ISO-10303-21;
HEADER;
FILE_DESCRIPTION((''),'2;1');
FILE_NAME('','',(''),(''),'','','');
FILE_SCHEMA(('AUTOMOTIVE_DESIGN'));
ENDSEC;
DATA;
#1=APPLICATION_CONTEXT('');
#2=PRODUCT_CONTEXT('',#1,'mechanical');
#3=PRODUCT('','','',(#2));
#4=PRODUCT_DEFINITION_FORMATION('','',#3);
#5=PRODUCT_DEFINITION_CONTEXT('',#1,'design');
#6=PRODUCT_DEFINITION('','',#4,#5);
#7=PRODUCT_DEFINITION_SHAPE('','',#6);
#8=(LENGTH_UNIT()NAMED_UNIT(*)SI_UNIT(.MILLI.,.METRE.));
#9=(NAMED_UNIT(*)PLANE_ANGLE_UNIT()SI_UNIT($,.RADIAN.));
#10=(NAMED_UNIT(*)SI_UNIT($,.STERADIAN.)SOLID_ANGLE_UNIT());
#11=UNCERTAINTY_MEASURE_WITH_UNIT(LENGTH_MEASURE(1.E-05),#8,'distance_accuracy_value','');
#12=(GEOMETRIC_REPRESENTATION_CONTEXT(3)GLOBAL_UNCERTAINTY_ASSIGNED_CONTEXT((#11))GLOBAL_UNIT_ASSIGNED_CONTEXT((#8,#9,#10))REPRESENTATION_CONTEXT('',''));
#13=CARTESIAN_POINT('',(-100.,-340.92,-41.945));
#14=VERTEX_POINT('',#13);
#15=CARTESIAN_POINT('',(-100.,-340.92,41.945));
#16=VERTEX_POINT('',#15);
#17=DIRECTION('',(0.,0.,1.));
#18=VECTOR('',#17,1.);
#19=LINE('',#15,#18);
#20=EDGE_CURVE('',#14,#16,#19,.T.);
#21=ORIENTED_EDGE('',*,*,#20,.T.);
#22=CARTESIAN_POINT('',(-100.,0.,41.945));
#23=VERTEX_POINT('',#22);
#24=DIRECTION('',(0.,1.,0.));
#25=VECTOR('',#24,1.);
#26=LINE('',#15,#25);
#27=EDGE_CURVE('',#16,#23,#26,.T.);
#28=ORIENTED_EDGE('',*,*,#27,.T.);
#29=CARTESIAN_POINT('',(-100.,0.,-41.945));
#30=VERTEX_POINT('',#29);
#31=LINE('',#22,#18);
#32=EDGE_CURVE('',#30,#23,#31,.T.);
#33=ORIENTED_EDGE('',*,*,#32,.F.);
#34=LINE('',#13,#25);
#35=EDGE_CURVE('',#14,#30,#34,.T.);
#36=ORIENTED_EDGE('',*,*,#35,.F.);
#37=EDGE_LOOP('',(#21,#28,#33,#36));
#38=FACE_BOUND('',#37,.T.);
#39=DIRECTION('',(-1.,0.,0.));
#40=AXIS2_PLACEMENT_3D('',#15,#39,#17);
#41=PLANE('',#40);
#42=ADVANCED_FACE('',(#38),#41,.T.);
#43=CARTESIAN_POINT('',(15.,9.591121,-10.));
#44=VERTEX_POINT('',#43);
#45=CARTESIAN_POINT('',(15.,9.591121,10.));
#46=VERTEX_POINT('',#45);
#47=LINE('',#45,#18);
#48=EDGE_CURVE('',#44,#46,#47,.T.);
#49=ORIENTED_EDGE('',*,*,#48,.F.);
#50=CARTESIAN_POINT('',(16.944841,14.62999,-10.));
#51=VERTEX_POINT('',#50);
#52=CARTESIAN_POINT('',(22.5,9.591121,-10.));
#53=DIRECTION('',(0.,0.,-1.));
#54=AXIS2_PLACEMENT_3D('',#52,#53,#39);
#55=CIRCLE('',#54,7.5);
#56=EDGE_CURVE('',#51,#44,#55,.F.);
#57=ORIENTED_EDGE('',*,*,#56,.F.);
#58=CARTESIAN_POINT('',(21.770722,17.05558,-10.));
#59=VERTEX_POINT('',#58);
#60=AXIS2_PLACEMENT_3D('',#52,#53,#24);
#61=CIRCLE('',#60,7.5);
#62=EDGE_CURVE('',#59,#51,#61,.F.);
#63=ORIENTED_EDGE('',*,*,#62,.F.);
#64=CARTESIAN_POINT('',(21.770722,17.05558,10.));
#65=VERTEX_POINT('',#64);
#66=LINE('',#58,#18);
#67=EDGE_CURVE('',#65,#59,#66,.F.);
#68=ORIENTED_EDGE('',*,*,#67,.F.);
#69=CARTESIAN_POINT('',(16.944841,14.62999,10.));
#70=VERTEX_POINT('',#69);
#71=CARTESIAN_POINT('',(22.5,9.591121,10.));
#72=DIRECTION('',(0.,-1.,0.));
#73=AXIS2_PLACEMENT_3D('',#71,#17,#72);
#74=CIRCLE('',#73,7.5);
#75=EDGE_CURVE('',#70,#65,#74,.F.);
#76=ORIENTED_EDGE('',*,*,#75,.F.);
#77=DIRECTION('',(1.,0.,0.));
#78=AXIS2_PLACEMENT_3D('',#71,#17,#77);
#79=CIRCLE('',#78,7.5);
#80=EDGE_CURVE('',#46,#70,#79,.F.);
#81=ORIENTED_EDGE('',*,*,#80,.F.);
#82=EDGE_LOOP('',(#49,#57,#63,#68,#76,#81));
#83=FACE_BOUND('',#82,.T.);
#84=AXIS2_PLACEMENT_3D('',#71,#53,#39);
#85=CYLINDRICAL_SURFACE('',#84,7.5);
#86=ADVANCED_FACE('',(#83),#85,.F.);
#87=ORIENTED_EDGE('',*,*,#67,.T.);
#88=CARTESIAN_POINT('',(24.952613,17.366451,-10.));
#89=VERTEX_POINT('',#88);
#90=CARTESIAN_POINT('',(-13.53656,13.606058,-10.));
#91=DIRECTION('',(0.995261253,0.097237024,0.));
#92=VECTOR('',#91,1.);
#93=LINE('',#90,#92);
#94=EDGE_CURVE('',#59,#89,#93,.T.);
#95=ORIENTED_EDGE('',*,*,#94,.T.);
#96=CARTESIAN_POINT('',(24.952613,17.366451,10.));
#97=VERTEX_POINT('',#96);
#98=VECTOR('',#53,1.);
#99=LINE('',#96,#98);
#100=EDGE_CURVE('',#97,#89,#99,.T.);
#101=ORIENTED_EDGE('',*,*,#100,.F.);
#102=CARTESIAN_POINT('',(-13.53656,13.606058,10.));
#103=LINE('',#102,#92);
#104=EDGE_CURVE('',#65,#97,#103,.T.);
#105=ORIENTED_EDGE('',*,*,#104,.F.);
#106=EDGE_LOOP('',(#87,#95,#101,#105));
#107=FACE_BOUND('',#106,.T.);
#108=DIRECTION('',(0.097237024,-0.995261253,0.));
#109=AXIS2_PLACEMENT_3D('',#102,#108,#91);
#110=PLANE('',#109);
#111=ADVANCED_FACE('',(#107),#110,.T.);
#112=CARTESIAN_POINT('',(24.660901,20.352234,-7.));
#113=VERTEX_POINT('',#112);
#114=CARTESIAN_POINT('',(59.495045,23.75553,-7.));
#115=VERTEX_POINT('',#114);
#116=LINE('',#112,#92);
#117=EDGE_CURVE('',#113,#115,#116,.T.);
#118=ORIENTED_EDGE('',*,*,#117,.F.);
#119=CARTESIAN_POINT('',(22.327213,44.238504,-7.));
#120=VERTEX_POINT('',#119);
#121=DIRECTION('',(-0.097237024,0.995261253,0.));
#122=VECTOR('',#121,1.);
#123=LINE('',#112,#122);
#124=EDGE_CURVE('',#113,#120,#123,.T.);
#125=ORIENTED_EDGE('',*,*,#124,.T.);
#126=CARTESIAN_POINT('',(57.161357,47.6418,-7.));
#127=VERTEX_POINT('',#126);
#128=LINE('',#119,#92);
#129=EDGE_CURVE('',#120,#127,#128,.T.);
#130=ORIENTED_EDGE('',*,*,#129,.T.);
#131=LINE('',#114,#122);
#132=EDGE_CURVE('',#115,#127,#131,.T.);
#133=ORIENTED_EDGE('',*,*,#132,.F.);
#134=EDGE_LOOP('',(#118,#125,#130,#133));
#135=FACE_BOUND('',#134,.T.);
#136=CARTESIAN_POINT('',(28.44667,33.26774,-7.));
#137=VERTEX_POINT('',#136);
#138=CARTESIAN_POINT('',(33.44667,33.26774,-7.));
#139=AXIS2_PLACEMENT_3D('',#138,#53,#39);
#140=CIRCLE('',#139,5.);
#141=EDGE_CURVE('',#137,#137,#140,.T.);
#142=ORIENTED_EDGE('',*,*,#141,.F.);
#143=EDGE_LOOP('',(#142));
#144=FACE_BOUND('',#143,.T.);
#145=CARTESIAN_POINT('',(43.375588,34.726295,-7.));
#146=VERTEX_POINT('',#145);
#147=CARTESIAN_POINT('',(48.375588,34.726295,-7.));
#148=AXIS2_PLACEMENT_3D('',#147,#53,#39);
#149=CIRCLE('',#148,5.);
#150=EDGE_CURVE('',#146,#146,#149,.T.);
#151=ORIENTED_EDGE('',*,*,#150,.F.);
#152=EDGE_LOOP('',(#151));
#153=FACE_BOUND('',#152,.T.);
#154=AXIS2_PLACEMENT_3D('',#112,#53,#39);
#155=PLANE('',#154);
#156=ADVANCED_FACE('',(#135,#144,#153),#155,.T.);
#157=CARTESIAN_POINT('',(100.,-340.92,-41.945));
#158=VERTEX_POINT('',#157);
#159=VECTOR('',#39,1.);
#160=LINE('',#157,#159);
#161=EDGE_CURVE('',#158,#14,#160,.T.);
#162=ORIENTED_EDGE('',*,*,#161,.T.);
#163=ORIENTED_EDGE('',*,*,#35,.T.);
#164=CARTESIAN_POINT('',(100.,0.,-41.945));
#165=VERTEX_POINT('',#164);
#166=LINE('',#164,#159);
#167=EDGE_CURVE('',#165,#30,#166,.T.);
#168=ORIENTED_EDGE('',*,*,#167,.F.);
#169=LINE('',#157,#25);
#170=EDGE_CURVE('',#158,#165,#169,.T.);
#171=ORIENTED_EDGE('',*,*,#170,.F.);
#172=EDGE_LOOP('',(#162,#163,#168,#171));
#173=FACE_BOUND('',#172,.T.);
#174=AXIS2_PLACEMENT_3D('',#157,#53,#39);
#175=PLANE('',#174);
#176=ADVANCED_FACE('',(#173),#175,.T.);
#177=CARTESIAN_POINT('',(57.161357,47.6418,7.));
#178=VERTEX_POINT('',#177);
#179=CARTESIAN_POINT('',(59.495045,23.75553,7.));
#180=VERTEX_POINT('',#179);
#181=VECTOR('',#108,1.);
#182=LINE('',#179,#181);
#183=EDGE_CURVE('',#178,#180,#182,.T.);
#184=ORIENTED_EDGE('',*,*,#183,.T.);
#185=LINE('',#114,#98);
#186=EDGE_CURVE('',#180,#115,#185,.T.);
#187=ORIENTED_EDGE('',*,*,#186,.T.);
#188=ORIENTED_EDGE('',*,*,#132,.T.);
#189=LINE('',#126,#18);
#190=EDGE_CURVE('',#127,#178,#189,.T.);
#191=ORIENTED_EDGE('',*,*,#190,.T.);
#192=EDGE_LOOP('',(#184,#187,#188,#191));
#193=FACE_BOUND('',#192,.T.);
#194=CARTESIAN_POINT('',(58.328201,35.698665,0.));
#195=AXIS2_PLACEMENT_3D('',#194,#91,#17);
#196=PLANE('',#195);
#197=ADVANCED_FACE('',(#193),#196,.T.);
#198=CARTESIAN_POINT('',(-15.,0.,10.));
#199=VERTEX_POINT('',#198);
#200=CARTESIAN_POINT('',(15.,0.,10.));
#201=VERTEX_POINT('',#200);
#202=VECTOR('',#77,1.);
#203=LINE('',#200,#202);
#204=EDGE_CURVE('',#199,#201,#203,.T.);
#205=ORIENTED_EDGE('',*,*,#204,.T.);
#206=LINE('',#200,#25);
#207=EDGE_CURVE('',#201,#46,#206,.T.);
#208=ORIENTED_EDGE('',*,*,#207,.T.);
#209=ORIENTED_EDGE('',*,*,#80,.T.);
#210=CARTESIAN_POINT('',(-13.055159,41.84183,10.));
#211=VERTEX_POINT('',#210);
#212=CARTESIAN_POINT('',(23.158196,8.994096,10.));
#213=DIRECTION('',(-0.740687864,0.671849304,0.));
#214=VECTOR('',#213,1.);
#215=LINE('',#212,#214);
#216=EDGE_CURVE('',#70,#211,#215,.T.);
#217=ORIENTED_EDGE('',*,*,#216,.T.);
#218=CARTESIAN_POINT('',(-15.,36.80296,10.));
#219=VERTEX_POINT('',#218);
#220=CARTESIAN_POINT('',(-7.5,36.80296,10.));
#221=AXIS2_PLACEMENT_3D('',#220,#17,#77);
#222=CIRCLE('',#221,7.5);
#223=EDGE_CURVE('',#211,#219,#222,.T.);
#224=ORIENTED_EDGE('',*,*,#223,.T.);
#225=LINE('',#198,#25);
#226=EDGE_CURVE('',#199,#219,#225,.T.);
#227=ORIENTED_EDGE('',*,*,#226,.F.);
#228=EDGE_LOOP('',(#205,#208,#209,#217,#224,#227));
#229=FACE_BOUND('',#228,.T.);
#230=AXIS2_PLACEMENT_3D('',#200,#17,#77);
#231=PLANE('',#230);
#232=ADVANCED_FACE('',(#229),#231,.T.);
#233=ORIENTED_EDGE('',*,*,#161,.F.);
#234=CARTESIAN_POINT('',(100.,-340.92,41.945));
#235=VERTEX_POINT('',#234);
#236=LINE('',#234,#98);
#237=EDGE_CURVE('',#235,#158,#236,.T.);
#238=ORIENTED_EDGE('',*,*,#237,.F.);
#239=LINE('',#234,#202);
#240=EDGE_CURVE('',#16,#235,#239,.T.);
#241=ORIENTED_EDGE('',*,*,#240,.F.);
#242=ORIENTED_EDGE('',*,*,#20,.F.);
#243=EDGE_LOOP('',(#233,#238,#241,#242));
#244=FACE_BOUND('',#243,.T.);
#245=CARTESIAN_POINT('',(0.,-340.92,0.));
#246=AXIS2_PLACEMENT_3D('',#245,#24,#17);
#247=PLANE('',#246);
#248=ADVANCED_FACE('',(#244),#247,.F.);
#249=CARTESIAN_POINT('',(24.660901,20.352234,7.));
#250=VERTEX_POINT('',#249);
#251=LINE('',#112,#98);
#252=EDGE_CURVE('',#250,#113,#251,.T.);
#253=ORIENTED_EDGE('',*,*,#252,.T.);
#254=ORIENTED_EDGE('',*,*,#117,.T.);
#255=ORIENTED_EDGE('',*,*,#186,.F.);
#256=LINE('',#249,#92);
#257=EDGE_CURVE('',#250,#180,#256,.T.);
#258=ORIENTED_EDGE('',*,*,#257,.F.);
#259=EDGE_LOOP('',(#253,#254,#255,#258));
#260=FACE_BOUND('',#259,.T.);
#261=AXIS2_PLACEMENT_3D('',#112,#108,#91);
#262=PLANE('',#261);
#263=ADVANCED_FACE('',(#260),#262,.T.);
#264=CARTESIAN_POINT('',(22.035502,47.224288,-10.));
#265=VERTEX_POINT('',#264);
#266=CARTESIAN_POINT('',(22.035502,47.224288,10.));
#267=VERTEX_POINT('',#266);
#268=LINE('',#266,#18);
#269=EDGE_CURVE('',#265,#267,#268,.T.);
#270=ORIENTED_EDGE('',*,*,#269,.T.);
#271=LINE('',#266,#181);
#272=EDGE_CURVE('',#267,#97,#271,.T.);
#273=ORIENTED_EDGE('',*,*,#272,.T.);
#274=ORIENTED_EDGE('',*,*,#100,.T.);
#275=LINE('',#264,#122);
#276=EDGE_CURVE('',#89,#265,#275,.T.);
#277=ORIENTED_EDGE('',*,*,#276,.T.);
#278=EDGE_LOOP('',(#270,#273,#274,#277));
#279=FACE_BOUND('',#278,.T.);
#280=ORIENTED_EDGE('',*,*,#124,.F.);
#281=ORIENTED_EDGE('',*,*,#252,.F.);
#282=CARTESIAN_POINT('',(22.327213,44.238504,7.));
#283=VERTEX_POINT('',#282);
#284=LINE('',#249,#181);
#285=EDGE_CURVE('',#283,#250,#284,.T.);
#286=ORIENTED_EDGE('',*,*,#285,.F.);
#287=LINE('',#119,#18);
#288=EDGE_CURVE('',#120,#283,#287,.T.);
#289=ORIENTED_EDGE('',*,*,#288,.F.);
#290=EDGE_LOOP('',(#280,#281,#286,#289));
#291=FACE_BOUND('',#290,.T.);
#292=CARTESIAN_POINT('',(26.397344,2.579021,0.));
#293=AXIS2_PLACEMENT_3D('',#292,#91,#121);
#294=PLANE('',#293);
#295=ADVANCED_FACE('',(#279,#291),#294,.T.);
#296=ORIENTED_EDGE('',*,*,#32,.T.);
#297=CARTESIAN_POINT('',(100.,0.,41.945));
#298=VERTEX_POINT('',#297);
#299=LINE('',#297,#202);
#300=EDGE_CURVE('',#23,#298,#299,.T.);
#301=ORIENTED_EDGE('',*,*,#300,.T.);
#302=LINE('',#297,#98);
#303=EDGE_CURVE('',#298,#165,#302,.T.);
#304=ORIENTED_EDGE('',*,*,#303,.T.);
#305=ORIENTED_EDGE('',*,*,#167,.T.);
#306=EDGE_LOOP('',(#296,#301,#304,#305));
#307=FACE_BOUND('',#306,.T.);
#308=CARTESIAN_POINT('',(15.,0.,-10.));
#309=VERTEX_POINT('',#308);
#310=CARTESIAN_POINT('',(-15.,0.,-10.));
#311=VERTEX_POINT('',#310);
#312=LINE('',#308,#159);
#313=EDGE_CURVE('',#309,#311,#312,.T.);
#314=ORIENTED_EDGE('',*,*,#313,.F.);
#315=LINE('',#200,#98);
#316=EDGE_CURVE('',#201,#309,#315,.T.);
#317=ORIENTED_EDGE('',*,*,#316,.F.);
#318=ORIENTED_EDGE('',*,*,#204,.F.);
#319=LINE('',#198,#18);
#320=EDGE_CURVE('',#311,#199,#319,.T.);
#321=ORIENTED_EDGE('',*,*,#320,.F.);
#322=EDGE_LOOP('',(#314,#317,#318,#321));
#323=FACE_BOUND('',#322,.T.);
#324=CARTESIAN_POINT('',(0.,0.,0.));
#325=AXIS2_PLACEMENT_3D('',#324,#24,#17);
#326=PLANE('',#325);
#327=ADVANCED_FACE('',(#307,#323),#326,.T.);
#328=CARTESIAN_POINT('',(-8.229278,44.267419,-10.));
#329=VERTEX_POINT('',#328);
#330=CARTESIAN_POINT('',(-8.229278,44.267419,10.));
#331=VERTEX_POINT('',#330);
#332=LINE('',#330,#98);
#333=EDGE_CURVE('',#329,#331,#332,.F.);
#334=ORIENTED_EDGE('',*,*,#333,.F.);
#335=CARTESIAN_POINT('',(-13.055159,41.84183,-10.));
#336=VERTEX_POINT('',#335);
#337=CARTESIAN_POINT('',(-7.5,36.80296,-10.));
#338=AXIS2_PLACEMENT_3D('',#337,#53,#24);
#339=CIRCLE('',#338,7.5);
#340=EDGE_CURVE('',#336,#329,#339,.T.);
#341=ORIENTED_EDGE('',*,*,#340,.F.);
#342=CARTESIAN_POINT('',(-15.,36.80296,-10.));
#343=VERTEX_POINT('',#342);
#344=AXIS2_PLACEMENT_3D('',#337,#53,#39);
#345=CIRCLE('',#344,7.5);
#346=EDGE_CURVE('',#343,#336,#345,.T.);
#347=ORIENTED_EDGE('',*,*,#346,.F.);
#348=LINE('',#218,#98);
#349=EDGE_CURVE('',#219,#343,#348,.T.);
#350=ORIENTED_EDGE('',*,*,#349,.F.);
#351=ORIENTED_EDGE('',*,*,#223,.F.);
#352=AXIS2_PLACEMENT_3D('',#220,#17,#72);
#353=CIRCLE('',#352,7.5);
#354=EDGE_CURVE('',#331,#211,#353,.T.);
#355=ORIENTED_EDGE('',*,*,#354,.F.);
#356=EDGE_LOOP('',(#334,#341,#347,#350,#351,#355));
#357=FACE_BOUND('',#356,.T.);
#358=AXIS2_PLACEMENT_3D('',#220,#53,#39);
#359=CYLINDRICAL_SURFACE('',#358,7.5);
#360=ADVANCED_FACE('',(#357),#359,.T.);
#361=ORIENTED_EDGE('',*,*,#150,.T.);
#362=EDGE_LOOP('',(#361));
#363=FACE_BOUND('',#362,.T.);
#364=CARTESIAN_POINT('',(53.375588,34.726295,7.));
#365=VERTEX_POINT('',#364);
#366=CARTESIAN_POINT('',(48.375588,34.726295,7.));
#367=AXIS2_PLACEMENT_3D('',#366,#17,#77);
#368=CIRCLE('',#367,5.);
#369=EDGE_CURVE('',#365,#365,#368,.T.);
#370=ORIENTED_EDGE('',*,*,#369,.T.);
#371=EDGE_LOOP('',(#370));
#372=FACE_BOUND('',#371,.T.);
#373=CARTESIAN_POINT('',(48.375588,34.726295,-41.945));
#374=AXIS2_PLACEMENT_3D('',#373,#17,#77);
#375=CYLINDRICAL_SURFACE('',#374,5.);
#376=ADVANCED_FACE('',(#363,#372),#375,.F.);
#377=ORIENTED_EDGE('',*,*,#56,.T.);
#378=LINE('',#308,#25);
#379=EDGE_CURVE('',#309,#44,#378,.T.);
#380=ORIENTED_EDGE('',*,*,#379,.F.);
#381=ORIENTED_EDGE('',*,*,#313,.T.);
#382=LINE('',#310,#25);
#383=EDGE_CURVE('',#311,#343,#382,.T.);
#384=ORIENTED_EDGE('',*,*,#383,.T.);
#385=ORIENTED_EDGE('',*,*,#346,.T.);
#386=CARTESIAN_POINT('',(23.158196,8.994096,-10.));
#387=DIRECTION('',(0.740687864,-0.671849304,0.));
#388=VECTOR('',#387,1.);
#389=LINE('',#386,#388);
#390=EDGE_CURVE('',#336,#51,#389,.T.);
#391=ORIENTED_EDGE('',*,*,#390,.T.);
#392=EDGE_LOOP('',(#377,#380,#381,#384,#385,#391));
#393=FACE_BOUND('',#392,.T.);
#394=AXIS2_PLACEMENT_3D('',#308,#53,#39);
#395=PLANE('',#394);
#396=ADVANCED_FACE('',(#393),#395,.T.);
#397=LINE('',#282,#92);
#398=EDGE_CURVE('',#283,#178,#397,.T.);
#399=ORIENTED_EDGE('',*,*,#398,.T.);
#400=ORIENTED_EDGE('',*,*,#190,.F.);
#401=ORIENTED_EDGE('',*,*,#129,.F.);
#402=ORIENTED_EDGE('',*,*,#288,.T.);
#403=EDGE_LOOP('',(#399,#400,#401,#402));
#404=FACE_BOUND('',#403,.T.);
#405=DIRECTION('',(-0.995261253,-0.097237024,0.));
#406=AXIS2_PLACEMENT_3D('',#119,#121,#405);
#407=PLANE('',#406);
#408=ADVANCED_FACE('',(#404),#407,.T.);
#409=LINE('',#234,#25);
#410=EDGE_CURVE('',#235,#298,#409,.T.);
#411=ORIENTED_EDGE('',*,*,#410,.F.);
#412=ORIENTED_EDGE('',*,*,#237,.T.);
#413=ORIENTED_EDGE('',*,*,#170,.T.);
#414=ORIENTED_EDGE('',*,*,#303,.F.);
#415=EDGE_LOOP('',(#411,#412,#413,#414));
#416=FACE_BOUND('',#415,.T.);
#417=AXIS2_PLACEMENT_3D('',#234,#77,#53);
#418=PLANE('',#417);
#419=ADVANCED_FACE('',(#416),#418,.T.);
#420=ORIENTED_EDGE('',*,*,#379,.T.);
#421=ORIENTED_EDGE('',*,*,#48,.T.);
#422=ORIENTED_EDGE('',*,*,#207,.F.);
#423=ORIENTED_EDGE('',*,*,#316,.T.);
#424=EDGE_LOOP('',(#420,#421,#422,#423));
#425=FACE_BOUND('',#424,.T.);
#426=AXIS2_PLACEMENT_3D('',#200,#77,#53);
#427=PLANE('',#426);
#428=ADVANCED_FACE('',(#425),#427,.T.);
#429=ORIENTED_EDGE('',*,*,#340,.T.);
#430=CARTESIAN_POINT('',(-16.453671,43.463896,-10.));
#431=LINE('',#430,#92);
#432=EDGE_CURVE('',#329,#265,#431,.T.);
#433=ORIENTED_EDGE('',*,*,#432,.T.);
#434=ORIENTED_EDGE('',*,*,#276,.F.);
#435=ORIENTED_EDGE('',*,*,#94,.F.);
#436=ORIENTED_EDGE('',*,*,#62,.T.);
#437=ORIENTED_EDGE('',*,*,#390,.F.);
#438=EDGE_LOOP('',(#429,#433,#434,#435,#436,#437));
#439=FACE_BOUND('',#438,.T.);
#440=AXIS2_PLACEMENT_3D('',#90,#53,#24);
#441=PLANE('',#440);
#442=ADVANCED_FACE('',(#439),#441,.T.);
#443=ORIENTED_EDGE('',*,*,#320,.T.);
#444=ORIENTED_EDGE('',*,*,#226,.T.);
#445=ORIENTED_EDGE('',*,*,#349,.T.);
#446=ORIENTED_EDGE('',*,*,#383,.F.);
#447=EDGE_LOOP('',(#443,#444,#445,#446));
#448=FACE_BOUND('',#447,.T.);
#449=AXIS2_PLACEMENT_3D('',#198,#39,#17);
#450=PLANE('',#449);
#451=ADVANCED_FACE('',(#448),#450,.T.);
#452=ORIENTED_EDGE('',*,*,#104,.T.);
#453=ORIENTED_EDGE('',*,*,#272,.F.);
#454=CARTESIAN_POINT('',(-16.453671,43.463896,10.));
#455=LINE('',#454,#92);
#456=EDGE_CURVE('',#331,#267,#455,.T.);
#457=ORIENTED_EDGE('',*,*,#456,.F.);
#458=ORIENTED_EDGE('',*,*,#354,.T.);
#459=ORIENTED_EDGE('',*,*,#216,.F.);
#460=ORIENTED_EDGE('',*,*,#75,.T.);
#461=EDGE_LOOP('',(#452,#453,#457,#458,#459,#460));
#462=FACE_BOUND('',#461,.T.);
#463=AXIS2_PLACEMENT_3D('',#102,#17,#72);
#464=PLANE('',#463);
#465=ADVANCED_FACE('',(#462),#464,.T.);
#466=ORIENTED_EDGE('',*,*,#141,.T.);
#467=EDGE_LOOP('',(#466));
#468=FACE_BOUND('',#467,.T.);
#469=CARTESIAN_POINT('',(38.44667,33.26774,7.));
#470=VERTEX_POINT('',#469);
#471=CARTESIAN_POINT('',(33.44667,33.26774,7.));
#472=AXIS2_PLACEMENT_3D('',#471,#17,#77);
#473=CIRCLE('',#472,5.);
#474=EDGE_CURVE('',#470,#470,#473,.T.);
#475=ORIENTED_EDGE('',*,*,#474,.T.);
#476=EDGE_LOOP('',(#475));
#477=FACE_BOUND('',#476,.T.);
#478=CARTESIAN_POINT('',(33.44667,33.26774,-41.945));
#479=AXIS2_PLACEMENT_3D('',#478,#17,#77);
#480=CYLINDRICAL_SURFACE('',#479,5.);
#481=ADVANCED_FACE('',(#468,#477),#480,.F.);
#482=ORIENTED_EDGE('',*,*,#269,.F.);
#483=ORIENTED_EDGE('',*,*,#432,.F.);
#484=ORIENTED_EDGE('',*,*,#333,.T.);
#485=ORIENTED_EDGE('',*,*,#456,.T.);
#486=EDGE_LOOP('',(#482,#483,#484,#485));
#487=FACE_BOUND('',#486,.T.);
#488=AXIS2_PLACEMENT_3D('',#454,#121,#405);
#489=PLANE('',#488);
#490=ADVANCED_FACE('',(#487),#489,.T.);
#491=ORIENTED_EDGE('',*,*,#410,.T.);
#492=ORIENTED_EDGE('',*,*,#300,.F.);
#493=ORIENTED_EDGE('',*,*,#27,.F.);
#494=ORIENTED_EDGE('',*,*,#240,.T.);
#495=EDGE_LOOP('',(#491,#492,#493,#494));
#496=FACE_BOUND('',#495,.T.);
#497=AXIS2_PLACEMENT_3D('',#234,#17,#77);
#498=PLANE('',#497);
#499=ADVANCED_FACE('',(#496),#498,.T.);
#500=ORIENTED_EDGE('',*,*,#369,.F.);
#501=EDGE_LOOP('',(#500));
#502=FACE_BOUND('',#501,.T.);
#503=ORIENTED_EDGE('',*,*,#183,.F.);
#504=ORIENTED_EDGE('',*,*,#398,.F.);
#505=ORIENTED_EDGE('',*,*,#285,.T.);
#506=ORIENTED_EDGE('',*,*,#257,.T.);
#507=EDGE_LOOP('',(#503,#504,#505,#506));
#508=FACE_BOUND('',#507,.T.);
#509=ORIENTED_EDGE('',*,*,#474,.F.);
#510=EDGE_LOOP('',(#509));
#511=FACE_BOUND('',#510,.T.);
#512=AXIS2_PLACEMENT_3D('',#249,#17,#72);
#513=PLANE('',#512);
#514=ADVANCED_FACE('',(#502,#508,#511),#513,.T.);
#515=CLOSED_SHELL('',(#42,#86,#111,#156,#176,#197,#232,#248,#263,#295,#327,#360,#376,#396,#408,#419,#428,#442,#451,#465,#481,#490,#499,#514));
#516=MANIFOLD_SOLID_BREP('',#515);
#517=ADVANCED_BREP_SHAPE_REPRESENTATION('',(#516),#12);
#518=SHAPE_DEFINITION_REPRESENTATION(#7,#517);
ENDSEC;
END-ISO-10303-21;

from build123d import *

# Parameters (mm, degrees)
SKETCH1_W                  = 200
SKETCH1_H                  = 83.89
WHEEL_STEERING_DUMMY_DEPTH = 340.92
SKETCH4_W                  = 30
SKETCH4_H                  = 20
SKETCH5_W                  = 20
SKETCH5_H                  = 30
SKETCH5_W_2                = 14
SKETCH5_H_2                = 24
MOUNT_TONGUE_DEPTH         = 35
SKETCH6_R                  = 5
MOUNT_HOLES_DEPTH          = 359.639177203
FILLET1_R                  = 7.5


with BuildPart() as part:
    # Sketch1 → Wheel & Steering Dummy (new body)
    with BuildSketch(Plane(origin=(0, 0, 0), x_dir=(1, 0, 0), z_dir=(0, 1, 0))):
        Rectangle(SKETCH1_W, SKETCH1_H)
    extrude(amount=-WHEEL_STEERING_DUMMY_DEPTH)

    # Mount Body: sweep along a path in Sketch3
    with BuildLine(Plane.XY) as mount_body_path:
        Line((0, 0), (0, 30))
        Line((0, 30), (58.328201005, 35.698665242))
    # Sketch4 → Mount Body (sweep)
    with BuildSketch(Plane(origin=(0, 0, 0), x_dir=(1, 0, 0), z_dir=(0, 1, 0))):
        Rectangle(SKETCH4_W, SKETCH4_H)
    sweep(path=mount_body_path.line, transition=Transition.RIGHT)

    # Sketch5 → Mount Tongue (cut)
    with BuildSketch(Plane(origin=(61.231488288, 5.982316409, 0), x_dir=(0, 0, -1), z_dir=(0.9952612526754551, 0.09723702444482771, 0))):
        with Locations((0, 29.85783758)):
            Rectangle(SKETCH5_W, SKETCH5_H)
        with Locations((0, 29.85783758)):
            Rectangle(SKETCH5_W_2, SKETCH5_H_2, mode=Mode.SUBTRACT)
    extrude(amount=-MOUNT_TONGUE_DEPTH, mode=Mode.SUBTRACT)

    # Sketch6 → Mount Holes (cut, through all)
    with BuildSketch(Plane.XY.offset(7)):
        with Locations((33.446669688, 33.26773963)):
            Circle(SKETCH6_R)
        with Locations((48.375588478, 34.726294997)):
            Circle(SKETCH6_R)
    extrude(amount=-MOUNT_HOLES_DEPTH, mode=Mode.SUBTRACT)

    # Fillet1
    fillet1_edges = [part.edges().sort_by_distance(p)[0] for p in [
        (-15, 43.605919649, 0),
        (15, 16.394080351, 0),
    ]]
    fillet(fillet1_edges, radius=FILLET1_R)


solid = part.part
